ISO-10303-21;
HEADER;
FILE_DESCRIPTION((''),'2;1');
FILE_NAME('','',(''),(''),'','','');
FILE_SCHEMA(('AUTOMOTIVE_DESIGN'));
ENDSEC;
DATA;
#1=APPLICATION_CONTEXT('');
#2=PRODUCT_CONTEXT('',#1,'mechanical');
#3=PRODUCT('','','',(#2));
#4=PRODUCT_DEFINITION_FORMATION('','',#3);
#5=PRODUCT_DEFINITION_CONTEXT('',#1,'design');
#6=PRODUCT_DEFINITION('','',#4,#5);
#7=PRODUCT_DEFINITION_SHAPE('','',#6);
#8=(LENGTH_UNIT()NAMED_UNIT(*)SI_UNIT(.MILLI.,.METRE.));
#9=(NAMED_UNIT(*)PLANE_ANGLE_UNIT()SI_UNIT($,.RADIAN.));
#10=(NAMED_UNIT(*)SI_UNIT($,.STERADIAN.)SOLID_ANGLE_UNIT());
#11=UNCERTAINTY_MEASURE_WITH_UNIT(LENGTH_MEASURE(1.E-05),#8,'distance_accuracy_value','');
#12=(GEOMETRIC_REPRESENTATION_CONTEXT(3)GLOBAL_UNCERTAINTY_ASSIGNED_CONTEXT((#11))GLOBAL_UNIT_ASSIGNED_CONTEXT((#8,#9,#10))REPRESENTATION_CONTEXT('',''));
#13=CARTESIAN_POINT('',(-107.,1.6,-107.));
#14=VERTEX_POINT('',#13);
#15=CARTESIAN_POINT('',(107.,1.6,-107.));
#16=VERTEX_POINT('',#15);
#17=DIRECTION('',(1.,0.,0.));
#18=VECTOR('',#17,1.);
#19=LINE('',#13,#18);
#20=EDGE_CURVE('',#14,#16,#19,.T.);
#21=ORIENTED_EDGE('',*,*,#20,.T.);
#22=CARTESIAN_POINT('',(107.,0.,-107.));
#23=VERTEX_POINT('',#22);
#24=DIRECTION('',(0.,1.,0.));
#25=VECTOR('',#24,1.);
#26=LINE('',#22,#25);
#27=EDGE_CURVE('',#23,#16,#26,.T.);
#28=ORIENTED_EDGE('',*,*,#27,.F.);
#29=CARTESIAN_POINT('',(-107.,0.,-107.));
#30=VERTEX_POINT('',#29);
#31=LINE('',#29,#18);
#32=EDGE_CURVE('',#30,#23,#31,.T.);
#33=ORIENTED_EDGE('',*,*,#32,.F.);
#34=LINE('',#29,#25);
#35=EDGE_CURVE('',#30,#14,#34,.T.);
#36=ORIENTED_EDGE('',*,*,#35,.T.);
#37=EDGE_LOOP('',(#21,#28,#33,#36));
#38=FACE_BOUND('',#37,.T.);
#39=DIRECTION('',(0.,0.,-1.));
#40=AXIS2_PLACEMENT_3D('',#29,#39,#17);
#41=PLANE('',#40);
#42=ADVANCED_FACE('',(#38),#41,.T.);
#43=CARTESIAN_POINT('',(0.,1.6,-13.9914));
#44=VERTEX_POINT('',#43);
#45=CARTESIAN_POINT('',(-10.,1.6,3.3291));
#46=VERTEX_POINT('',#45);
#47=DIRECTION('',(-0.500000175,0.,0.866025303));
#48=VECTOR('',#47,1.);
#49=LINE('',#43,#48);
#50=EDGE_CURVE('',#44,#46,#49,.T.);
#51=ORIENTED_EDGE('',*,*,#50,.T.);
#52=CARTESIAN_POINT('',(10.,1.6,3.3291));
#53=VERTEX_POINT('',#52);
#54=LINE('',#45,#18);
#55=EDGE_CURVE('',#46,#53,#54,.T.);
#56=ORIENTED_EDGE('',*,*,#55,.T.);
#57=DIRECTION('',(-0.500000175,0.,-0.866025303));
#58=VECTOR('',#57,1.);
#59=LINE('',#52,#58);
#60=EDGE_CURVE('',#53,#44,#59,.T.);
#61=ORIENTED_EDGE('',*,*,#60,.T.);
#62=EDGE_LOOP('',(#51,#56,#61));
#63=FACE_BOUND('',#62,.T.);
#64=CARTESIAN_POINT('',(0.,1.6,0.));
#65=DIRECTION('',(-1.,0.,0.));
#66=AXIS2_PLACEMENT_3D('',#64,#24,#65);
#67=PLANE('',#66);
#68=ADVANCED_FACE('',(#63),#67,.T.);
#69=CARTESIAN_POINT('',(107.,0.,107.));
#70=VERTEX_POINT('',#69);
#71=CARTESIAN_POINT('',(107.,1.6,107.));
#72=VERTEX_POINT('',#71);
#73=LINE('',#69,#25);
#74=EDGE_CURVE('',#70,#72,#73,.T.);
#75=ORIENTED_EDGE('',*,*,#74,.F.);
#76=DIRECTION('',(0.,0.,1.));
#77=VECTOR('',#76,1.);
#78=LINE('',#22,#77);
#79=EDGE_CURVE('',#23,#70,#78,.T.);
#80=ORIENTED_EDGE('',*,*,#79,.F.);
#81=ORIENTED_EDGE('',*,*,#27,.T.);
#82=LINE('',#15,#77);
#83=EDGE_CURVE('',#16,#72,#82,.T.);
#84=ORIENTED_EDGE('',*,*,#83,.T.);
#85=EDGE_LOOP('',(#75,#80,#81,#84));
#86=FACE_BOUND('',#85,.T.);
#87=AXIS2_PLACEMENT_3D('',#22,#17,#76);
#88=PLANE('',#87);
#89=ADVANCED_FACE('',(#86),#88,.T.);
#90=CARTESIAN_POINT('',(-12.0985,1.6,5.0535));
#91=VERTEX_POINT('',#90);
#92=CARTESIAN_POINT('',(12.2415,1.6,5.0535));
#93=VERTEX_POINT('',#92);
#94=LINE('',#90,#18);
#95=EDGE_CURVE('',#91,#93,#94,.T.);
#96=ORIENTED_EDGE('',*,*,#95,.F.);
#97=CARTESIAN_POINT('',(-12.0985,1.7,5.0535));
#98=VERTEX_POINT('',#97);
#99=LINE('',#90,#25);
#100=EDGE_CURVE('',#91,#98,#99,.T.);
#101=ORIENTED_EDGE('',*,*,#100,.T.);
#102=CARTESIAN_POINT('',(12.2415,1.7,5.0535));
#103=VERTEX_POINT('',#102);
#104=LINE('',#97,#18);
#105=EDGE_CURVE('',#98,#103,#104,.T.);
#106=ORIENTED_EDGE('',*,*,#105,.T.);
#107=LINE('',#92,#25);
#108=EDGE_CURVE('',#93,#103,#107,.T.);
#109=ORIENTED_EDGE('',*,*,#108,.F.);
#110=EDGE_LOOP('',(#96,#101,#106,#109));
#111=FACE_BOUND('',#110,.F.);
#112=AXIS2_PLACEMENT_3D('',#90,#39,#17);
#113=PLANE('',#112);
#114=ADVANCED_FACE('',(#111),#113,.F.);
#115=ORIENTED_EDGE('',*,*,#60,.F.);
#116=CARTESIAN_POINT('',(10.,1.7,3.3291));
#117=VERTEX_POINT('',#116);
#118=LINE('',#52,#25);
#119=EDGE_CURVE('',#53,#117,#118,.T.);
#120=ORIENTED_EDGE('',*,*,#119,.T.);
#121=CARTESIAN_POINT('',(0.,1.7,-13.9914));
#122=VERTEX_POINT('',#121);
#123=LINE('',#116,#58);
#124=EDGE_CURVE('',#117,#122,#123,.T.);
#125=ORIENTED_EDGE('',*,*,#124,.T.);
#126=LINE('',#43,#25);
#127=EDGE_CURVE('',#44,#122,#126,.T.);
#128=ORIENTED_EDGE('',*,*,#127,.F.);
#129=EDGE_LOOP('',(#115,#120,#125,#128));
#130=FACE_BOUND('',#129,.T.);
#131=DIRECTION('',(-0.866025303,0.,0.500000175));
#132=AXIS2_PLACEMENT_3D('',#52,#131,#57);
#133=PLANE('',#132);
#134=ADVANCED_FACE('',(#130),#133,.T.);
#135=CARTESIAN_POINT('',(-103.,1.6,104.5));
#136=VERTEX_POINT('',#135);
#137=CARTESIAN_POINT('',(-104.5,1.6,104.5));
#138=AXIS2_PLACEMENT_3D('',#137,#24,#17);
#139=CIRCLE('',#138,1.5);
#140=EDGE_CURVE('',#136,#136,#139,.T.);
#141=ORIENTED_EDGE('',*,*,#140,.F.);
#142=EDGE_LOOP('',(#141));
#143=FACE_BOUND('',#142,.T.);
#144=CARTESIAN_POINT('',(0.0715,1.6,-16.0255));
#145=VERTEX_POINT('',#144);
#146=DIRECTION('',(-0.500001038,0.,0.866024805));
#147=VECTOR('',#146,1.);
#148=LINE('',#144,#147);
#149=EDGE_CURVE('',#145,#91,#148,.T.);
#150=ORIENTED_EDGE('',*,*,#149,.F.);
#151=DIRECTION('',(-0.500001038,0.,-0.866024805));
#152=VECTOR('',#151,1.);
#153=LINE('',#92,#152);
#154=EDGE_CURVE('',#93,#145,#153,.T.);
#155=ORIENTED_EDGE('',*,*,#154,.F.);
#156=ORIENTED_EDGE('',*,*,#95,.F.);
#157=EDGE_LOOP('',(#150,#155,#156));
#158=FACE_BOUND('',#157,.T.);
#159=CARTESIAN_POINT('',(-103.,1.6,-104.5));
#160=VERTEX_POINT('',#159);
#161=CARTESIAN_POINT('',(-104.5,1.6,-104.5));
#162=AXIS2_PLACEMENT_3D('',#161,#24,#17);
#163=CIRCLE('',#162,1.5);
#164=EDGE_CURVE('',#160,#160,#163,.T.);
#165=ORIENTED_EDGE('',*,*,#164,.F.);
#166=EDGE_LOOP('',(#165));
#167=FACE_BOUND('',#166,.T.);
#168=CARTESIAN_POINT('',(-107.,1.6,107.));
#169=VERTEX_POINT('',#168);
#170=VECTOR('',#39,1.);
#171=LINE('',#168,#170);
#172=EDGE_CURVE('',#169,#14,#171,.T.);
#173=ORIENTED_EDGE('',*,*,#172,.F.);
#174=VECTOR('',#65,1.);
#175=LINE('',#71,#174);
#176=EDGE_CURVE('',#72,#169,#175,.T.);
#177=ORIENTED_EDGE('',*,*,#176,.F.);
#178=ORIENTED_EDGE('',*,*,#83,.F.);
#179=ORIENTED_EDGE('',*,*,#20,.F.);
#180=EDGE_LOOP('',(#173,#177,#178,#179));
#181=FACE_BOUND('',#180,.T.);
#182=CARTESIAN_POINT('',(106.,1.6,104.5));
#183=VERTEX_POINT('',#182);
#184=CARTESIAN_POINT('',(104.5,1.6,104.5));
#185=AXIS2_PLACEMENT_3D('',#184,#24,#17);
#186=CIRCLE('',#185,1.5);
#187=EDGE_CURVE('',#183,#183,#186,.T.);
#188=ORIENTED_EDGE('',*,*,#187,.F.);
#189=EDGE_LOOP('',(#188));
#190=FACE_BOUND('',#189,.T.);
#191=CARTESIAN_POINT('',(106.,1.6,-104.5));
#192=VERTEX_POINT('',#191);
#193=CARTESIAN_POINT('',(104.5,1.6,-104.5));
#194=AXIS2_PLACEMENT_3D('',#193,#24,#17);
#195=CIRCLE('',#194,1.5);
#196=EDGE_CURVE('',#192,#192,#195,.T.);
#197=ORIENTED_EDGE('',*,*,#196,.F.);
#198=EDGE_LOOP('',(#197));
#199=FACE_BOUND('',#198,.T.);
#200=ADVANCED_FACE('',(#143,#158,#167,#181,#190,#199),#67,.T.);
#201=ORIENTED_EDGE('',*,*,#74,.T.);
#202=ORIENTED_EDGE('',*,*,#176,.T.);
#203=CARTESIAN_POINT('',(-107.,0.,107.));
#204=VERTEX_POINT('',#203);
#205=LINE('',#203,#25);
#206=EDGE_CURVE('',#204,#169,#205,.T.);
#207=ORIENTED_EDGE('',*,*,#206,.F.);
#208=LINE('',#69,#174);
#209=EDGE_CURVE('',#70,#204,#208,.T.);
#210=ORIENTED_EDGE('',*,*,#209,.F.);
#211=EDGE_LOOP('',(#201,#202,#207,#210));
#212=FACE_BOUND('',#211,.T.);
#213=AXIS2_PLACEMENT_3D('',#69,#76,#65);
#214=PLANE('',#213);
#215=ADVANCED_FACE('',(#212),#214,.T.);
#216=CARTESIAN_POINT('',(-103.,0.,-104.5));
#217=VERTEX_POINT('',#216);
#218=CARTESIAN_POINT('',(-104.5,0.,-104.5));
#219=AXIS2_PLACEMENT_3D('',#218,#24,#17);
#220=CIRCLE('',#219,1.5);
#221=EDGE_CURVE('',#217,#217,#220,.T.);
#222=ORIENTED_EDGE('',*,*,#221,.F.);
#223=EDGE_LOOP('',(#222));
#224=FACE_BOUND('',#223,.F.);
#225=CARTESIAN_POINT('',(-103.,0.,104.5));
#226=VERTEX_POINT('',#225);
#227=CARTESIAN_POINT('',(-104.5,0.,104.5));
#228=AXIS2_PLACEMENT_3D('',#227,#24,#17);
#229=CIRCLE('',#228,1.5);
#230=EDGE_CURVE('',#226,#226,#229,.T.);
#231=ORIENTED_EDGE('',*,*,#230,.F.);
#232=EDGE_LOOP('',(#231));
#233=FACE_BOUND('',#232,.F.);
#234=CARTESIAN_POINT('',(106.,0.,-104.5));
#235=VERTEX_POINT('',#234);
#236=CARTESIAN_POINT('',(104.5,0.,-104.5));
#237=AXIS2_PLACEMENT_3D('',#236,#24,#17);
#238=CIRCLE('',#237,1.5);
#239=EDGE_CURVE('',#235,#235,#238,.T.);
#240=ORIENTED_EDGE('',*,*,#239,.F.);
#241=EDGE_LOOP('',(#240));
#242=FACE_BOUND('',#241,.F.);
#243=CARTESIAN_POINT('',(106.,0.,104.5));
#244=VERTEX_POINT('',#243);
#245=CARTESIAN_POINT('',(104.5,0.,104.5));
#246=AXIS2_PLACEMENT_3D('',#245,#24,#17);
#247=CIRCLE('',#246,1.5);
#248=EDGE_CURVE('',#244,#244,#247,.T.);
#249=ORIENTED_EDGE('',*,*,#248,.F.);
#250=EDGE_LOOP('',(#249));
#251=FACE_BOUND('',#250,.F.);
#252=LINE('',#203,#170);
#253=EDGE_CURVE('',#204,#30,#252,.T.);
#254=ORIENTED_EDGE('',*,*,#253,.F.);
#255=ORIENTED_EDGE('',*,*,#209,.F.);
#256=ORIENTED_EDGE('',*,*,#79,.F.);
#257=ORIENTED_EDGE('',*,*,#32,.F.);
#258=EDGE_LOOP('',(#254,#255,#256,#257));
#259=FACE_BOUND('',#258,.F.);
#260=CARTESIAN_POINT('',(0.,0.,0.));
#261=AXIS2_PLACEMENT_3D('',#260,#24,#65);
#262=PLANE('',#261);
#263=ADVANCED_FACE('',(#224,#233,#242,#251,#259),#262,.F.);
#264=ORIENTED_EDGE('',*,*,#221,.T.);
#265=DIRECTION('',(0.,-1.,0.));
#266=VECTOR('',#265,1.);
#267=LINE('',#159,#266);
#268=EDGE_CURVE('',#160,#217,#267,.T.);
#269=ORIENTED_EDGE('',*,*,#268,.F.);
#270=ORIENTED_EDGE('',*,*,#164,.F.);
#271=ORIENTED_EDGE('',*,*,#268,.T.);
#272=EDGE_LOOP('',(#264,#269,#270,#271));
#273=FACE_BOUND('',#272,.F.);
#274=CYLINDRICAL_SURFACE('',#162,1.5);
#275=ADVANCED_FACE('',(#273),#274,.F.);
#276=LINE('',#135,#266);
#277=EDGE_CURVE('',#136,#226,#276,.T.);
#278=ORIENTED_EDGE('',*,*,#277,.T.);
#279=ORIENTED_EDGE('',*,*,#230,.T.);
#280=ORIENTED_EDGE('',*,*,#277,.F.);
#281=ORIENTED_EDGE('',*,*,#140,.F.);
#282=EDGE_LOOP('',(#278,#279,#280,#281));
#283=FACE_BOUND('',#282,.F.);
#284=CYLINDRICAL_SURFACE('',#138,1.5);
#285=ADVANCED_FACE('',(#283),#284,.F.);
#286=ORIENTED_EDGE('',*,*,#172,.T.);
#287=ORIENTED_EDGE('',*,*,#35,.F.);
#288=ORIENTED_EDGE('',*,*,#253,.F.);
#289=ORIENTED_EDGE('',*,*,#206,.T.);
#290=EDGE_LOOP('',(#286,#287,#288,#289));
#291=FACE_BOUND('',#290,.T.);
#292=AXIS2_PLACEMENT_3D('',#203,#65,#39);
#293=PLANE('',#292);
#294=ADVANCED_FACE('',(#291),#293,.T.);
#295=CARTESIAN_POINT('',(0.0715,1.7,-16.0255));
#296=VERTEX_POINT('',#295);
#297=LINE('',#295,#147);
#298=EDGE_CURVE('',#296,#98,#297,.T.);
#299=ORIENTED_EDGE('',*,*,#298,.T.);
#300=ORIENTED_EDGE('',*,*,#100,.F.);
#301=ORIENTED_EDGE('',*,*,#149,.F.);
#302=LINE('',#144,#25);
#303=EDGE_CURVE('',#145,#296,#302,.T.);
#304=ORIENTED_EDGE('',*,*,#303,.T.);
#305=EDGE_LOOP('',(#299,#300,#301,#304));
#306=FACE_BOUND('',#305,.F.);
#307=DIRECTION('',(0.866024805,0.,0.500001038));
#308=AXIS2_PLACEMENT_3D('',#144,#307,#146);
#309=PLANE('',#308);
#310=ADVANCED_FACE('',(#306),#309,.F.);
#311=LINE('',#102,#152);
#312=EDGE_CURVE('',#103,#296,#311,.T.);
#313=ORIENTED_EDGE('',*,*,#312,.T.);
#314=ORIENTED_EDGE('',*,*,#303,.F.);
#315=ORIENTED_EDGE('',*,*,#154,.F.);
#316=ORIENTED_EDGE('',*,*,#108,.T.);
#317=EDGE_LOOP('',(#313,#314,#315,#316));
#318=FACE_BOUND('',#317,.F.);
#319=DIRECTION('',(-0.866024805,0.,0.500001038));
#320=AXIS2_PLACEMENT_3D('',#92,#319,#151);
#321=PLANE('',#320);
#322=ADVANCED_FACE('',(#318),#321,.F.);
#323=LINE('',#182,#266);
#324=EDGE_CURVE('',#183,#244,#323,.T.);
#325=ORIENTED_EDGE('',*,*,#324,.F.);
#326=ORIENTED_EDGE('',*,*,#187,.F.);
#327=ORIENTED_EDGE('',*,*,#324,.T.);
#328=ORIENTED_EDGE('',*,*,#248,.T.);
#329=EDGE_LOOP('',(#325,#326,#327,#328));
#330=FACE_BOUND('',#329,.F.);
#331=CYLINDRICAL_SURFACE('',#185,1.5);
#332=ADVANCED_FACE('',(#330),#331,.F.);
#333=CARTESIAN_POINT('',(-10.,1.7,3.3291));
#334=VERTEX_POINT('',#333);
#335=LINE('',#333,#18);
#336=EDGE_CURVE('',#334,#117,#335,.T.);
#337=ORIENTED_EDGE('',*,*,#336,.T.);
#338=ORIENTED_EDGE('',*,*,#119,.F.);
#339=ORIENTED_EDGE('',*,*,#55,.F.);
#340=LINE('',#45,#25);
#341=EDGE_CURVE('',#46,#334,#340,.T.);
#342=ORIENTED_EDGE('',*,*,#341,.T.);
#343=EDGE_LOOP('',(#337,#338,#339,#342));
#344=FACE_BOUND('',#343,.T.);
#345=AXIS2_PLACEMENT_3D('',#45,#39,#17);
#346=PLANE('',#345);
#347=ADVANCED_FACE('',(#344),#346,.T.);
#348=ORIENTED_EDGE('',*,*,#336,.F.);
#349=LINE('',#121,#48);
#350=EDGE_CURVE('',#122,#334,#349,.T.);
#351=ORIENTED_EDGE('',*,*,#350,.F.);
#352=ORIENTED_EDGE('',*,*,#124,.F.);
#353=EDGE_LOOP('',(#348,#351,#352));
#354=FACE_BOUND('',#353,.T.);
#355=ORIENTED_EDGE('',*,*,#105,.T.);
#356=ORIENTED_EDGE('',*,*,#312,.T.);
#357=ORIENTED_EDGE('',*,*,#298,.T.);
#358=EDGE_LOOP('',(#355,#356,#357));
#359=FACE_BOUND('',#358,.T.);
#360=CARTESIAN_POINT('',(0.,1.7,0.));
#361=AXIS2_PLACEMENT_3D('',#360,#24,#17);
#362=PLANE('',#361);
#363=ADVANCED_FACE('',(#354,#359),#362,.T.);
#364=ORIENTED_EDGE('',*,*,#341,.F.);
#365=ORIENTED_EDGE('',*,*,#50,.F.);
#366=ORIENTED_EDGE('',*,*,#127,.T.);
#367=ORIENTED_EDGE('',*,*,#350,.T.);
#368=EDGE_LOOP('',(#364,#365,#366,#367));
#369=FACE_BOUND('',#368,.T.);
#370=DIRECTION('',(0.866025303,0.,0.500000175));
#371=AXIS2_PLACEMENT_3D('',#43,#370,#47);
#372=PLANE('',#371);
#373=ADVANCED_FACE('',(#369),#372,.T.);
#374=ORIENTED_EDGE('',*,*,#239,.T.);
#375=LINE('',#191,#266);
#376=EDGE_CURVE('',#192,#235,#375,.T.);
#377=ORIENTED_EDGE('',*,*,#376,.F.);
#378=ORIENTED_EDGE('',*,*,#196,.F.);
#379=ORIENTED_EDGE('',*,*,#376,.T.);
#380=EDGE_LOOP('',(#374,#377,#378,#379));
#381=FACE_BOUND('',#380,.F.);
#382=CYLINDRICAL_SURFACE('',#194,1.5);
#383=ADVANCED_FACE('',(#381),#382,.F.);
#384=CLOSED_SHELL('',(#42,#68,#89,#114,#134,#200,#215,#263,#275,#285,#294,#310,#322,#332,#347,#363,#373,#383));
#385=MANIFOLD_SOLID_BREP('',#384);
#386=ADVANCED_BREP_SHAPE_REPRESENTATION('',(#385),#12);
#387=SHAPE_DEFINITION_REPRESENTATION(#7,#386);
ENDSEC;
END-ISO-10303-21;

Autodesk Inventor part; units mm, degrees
ref_plane "YZ Plane" through (0, 0, 0) normal (1, 0, 0) x (0, 1, 0)
ref_plane "XZ Plane" through (0, 0, 0) normal (0, 1, 0) x (-1, 0, 0)
ref_plane "XY Plane" through (0, 0, 0) normal (0, 0, 1) x (1, 0, 0)
sketch "Sketch1" plane through (0, 0, 0) normal (0, 1, 0) x (-1, 0, 0)
  line L0 (-107, 107) -> (107, 107)
  line L1 (107, 107) -> (107, -107)
  line L2 (107, -107) -> (-107, -107)
  line L3 (-107, -107) -> (-107, 107)
  line L4 (-107, 107) -> (107, -107) construction
  line L5 (107, 107) -> (-107, -107) construction
  point P0 (0, 0)
  dimension "d0" = 214
  dimension "d1" = 214
extrude "Extrusion1" add sketch "Sketch1" along normal blind 1.6
sketch "Sketch2" plane through (0, 1.6, 0) normal (0, 1, 0) x (1, 0, 0)
  line L0 (-107, 107) -> (-107, -107) projected
  line L1 (0, 13.9914) -> (-10, -3.3291)
  line L2 (0, 13.9914) -> (20, 13.9914) construction
  line L3 (-10, -3.3291) -> (10, -3.3291)
  line L4 (10, -3.3291) -> (0, 13.9914)
  line L5 (-5.4032, 2.7326) -> (4.9323, 2.7326) construction
  line L6 (4.9323, 2.7326) -> (4.9323, -0.9149) construction
  line L7 (4.9323, -0.9149) -> (-5.4032, -0.9149) construction
  line L8 (-5.4032, -0.9149) -> (-5.4032, 2.7326) construction
  line L9 (0.0715, 16.0255) -> (-12.0985, -5.0535)
  line L10 (-12.0985, -5.0535) -> (12.2415, -5.0535)
  line L11 (12.2415, -5.0535) -> (0.0715, 16.0255)
  point P0 (0, 0)
  dimension "d4" = 20
  dimension "d6" = 20
  dimension "d9" = 24.34
  dimension "d10" = 24.34
extrude "Extrusion2" add sketch "Sketch2" along normal blind 0.1
sketch "Sketch3" plane through (0, 1.6, 0) normal (0, 1, 0) x (1, 0, 0)
  line L0 (104.5, -104.5) -> (-104.5, 104.5) construction
  circle A0 centre (-104.5, 104.5) radius 1.5
  circle A1 centre (104.5, 104.5) radius 1.5
  circle A2 centre (104.5, -104.5) radius 1.5
  circle A3 centre (-104.5, -104.5) radius 1.5
  point P0 (0, 0)
  dimension "d15" = 3
  dimension "d16" = 3
  dimension "d17" = 3
  dimension "d18" = 3
extrude "Extrusion3" cut sketch "Sketch3" against normal blind 10
properties part number "Heatbed" material "Aluminum, Anodized Red"
